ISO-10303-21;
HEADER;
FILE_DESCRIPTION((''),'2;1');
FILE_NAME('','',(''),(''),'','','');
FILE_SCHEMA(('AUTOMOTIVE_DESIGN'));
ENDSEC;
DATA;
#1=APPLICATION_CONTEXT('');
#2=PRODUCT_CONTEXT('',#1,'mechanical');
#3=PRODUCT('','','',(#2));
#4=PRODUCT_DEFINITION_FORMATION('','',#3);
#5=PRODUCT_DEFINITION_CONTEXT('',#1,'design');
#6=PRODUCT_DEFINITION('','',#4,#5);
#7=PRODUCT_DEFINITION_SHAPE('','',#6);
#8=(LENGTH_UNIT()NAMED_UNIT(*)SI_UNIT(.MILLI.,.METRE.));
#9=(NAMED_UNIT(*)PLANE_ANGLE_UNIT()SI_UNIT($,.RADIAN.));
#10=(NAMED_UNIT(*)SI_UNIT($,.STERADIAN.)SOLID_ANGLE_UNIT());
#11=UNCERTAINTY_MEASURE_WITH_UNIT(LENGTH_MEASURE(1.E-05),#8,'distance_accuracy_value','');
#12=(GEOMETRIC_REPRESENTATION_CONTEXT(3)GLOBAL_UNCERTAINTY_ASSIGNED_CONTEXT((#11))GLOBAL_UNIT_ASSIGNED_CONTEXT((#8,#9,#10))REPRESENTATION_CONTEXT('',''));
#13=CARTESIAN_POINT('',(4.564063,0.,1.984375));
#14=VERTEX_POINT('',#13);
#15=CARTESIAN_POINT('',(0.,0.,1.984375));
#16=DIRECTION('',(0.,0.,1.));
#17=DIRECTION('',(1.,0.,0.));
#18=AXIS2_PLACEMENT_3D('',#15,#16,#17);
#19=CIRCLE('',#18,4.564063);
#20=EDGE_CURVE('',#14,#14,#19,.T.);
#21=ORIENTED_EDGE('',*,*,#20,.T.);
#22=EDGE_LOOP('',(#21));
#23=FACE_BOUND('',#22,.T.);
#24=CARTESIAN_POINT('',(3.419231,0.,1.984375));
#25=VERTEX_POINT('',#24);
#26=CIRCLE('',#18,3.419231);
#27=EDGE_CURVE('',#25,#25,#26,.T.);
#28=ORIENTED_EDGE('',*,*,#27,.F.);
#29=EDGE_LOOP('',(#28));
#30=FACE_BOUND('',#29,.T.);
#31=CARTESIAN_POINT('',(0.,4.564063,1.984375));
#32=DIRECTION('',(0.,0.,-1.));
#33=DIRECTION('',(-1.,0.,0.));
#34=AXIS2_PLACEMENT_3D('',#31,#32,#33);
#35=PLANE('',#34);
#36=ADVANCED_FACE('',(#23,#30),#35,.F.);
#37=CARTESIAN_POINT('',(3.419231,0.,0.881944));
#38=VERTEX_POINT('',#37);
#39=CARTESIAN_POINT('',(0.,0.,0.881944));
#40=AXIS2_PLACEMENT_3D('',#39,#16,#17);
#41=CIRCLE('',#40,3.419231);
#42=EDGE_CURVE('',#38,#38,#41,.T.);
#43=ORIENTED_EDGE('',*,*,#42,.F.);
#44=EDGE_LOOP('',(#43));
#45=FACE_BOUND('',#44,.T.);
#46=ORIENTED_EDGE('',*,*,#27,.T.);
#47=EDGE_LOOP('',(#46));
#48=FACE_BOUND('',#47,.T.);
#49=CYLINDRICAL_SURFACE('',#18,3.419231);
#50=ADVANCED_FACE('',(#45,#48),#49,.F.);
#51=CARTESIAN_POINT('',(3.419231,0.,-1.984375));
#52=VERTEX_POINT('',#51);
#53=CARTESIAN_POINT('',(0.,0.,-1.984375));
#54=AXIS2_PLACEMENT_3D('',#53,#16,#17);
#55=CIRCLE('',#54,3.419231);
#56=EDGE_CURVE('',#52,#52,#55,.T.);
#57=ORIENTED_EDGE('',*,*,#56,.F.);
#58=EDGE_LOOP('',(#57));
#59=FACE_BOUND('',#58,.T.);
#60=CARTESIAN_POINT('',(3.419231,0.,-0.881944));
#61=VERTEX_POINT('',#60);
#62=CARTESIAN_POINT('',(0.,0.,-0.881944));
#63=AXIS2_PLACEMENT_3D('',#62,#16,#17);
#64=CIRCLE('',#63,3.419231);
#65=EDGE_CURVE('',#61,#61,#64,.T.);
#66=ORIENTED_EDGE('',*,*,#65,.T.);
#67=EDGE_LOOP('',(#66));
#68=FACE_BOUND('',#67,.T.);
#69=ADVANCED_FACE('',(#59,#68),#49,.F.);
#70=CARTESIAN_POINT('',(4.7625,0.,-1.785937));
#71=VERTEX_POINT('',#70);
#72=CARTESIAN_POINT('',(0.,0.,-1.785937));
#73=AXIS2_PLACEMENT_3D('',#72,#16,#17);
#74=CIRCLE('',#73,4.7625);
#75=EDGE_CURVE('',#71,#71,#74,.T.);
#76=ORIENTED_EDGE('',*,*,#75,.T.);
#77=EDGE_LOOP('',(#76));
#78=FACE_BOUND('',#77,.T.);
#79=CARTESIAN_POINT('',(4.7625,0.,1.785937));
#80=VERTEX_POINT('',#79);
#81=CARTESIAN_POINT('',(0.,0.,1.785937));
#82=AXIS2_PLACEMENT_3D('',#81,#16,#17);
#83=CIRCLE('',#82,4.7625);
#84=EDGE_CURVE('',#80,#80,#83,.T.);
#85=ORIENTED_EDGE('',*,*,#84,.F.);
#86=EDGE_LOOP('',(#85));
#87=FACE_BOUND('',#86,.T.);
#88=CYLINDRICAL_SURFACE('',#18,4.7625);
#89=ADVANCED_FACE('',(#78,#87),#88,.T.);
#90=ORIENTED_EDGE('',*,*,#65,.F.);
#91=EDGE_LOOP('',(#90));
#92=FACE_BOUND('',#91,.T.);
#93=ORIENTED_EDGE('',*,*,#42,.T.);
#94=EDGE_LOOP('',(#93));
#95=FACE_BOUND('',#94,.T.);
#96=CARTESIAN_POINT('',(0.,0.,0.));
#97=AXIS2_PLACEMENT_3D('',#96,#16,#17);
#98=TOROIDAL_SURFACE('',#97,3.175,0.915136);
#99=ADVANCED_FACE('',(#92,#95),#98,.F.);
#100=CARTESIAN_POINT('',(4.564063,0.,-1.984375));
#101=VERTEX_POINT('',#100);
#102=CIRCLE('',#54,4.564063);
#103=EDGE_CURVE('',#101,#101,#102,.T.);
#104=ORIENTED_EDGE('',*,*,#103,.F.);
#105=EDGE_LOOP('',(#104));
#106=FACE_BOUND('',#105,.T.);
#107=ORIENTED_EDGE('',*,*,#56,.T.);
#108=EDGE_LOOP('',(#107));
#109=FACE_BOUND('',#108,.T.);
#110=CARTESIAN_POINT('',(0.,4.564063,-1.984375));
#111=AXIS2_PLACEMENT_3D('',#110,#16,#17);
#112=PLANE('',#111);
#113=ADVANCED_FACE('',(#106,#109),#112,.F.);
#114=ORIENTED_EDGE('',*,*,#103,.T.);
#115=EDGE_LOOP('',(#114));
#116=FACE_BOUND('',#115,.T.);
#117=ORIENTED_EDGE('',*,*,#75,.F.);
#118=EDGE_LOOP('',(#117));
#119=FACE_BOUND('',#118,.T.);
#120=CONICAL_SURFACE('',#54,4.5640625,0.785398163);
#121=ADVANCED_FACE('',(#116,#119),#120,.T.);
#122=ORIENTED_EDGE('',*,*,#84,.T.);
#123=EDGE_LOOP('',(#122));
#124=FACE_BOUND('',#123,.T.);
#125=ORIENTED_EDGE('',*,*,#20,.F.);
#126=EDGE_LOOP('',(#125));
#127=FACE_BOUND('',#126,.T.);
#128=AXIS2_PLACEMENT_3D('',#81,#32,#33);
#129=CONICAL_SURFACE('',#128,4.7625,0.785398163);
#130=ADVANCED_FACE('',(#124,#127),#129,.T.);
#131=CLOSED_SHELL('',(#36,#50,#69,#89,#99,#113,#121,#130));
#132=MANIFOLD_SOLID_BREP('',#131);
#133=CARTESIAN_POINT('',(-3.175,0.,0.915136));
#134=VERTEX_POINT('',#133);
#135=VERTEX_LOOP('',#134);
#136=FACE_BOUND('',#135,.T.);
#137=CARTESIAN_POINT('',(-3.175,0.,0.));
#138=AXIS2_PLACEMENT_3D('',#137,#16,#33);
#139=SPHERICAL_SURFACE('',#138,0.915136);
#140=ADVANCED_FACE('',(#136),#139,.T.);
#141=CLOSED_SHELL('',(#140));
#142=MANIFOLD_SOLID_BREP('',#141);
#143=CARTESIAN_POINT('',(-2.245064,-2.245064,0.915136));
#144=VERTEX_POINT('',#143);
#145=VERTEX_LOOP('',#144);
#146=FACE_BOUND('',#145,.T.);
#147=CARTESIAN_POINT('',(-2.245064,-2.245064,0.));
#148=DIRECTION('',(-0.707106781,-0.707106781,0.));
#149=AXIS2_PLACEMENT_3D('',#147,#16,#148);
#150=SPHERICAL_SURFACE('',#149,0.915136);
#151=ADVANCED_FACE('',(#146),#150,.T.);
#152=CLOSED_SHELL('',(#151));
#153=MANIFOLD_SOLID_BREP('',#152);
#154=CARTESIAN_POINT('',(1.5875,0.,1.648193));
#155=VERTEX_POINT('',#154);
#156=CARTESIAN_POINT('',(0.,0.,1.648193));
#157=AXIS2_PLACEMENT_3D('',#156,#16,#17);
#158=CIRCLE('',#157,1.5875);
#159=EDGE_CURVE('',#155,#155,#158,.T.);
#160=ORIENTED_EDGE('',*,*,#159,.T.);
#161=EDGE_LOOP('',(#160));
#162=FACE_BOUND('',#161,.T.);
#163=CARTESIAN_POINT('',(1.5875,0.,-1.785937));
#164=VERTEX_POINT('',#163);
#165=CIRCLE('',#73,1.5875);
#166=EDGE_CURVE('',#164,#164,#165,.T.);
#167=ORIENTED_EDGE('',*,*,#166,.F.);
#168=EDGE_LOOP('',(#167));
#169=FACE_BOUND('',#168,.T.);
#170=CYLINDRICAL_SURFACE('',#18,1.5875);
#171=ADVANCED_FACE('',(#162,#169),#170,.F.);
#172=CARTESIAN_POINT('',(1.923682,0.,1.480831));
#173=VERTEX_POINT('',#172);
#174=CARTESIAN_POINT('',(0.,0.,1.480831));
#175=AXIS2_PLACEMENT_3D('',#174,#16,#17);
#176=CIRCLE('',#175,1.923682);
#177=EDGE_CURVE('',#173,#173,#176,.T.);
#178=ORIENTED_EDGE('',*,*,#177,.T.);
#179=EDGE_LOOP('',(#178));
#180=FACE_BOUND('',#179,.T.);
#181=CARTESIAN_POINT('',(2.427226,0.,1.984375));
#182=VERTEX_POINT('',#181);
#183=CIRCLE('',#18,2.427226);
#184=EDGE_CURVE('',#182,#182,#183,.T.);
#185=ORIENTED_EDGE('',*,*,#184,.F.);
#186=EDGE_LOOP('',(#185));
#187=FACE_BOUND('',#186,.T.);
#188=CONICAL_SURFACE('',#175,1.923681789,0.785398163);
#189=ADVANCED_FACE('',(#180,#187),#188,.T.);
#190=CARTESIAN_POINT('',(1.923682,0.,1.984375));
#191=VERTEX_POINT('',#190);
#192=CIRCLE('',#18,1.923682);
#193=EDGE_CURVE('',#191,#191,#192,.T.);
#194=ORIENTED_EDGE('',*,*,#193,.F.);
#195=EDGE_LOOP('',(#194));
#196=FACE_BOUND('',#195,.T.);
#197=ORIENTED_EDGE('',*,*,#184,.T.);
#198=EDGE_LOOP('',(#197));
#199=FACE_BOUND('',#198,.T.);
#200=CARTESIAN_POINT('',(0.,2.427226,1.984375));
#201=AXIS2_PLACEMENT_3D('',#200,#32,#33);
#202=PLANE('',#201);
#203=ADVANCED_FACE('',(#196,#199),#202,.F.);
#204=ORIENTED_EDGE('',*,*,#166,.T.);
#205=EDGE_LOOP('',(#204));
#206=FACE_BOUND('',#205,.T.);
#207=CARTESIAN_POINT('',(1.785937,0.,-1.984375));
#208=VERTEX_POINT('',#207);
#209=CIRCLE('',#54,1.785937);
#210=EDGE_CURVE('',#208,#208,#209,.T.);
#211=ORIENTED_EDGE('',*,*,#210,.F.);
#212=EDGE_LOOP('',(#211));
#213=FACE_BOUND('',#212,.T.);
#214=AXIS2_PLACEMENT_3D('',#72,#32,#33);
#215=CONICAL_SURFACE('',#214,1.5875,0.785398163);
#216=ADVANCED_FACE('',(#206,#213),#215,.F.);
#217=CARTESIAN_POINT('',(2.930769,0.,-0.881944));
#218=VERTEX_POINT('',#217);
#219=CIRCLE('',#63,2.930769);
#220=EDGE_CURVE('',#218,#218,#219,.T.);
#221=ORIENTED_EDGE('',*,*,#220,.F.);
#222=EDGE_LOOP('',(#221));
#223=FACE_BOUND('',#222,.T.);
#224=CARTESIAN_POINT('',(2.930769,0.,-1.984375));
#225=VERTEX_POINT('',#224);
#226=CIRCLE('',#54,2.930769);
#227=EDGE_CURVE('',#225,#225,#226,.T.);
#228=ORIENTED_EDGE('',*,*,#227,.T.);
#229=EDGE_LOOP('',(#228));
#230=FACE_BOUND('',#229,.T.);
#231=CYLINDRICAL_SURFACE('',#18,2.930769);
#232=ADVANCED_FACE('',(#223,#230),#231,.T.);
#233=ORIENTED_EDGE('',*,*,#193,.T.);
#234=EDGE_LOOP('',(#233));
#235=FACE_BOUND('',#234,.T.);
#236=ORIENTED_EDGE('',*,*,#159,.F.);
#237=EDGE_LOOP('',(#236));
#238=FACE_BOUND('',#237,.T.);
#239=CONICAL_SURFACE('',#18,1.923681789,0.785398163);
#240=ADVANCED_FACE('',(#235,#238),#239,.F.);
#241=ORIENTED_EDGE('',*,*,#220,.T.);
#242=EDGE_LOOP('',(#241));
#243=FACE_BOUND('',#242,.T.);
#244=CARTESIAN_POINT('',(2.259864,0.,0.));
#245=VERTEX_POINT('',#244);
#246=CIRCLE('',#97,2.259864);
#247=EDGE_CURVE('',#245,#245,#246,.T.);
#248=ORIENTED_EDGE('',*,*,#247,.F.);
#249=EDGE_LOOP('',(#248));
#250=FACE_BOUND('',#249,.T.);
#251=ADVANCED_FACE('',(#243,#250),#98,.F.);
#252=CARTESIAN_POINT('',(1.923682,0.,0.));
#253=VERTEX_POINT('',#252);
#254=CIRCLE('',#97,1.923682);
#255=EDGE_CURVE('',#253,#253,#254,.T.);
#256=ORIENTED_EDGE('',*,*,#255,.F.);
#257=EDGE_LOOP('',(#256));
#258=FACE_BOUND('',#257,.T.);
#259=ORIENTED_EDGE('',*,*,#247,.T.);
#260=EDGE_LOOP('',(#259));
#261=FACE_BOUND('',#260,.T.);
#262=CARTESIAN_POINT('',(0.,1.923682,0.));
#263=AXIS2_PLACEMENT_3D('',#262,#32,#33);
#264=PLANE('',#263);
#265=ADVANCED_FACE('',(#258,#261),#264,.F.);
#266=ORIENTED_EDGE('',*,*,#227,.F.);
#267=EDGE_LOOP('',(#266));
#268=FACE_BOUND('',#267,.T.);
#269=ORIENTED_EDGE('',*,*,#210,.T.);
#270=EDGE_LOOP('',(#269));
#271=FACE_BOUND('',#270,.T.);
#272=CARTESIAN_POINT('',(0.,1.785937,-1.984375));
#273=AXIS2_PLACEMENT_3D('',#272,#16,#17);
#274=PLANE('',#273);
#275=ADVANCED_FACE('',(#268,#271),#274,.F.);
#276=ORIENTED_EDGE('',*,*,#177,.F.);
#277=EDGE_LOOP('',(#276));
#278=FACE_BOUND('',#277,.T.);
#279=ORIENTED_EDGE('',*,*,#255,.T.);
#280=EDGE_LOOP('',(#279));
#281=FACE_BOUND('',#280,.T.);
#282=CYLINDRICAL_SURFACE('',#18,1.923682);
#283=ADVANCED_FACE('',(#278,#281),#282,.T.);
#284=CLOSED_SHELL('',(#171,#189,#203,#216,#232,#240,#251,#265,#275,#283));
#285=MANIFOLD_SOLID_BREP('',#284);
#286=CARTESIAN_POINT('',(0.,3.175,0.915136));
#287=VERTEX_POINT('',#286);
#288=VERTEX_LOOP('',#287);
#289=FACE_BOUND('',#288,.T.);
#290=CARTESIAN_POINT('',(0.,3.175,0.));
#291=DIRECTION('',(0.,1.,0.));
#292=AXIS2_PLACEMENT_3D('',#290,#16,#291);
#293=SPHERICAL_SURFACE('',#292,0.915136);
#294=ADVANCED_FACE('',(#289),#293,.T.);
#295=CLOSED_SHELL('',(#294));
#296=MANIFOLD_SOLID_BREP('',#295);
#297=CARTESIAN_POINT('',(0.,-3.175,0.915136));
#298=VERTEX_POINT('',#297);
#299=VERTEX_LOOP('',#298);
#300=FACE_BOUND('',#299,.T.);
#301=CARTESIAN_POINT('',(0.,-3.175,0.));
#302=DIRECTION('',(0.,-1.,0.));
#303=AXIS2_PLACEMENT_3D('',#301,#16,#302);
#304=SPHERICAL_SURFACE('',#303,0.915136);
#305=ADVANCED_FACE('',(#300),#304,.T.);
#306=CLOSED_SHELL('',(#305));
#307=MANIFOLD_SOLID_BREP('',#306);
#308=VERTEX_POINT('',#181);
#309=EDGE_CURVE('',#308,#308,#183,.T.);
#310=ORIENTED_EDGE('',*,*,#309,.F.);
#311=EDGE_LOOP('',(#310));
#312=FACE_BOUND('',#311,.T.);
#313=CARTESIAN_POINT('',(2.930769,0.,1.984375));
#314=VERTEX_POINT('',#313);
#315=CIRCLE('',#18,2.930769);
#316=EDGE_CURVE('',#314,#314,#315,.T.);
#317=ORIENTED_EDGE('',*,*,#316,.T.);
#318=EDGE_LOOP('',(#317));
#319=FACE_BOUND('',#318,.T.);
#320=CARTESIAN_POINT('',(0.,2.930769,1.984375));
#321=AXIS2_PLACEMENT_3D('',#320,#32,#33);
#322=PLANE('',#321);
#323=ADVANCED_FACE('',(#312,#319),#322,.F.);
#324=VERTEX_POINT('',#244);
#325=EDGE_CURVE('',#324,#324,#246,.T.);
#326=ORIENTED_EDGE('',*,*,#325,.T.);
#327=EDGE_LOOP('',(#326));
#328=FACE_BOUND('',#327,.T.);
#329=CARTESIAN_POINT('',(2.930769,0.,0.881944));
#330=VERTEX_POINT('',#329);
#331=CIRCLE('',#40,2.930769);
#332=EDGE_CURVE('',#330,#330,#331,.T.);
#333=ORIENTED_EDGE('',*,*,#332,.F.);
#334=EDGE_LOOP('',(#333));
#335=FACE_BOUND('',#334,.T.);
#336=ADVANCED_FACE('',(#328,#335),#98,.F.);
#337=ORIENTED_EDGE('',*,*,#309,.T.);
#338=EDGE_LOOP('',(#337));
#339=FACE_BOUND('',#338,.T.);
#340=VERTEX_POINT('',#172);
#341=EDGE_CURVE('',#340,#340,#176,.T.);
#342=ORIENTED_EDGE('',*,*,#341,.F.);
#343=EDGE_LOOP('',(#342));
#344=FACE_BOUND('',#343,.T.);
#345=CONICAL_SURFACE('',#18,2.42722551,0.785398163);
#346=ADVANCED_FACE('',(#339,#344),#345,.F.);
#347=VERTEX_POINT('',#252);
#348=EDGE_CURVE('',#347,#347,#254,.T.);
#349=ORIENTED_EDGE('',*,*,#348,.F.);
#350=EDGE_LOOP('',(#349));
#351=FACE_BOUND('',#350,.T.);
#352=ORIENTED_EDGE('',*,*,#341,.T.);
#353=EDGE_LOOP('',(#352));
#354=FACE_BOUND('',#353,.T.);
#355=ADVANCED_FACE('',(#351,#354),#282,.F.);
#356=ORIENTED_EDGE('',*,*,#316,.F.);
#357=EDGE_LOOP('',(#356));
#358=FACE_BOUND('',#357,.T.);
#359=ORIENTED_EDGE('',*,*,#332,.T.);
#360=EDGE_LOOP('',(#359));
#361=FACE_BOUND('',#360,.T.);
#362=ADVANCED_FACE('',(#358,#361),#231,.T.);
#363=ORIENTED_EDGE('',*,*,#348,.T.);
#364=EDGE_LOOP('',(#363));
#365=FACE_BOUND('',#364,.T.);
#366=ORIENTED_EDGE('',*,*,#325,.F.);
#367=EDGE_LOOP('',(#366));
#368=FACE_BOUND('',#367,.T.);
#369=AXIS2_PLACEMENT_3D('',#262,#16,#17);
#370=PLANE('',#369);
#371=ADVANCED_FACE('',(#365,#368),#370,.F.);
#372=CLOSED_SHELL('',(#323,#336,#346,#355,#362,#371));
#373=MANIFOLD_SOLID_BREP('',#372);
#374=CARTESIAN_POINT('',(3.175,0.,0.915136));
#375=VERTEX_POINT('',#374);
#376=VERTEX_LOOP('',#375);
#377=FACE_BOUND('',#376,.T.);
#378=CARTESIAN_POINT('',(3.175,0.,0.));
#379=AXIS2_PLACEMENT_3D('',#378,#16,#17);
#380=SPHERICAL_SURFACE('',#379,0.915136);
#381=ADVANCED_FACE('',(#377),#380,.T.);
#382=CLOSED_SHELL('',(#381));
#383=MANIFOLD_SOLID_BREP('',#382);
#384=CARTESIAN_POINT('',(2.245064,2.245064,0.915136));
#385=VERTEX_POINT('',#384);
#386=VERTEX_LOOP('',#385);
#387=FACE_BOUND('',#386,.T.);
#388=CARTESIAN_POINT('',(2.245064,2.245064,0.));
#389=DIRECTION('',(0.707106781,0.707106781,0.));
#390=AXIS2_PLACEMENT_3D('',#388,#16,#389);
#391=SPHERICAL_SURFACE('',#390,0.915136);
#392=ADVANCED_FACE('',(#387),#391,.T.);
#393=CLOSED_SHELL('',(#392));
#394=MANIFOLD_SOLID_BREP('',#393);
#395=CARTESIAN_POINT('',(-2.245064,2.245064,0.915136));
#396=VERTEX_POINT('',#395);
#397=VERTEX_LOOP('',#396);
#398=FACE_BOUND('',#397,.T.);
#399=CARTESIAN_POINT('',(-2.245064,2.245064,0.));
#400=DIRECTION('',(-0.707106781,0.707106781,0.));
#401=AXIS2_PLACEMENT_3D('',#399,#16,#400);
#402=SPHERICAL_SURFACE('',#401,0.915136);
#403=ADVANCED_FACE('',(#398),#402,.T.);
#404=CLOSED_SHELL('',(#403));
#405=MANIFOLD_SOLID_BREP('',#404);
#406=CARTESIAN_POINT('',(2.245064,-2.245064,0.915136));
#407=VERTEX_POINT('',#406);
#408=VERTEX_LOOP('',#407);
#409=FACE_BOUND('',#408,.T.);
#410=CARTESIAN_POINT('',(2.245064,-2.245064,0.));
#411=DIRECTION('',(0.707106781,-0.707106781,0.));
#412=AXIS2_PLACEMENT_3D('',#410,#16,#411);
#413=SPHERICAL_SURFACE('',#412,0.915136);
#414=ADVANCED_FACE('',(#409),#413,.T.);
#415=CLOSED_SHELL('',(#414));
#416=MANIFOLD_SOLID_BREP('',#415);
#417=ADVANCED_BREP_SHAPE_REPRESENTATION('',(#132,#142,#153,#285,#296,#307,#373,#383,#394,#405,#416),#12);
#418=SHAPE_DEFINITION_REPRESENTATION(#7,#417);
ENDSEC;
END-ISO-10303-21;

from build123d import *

# Parameters (mm, degrees)
CIRPATTERN1_COUNT = 8


with BuildPart() as part:
    # Sketch1 → Revolve1 (revolve)
    with BuildSketch(Plane(origin=(0, 0, 0), x_dir=(0, 0, -1), z_dir=(1, 0, 0))):
        with BuildLine():
            Line((1.7859375, 4.7625), (-1.7859375, 4.7625))
            Line((-1.7859375, 4.7625), (-1.984375, 4.5640625))
            Line((-1.984375, 4.5640625), (-1.984375, 3.419230769))
            Line((-1.984375, 3.419230769), (-0.881944444, 3.419230769))
            ThreePointArc((-0.881944444, 3.419230769), (0, 4.090136422), (0.881944444, 3.419230769))
            Line((0.881944444, 3.419230769), (1.984375, 3.419230769))
            Line((1.984375, 3.419230769), (1.984375, 4.5640625))
            Line((1.984375, 4.5640625), (1.7859375, 4.7625))
        make_face()
    revolve(axis=Axis((0, 0, 1.984375), (0, 0, -1)))


with BuildPart() as body_2:
    # Sketch2 → Revolve2 (revolve)
    with BuildSketch(Plane(origin=(0, 0, 0), x_dir=(0, 0, -1), z_dir=(1, 0, 0))):
        with BuildLine():
            Line((-1.984375, 2.930769231), (-0.881944444, 2.930769231))
            ThreePointArc((-0.881944444, 2.930769231), (-0.554062361, 2.446652849), (0, 2.259863578))
            Line((0, 2.259863578), (0, 1.923681789))
            Line((0, 1.923681789), (-1.480831279, 1.923681789))
            Line((-1.480831279, 1.923681789), (-1.984375, 2.42722551))
            Line((-1.984375, 2.42722551), (-1.984375, 2.930769231))
        make_face()
    revolve(axis=Axis((0, 0, 1.984375), (0, 0, -1)))


with BuildPart() as body_3:
    # Sketch3 → Revolve3 (revolve)
    with BuildSketch(Plane(origin=(0, 0, 0), x_dir=(0, 0, -1), z_dir=(1, 0, 0))):
        with BuildLine():
            Line((-1.984375, 2.42722551), (-1.480831279, 1.923681789))
            Line((-1.480831279, 1.923681789), (0, 1.923681789))
            Line((0, 1.923681789), (0, 2.259863578))
            ThreePointArc((0, 2.259863578), (0.554062361, 2.446652849), (0.881944444, 2.930769231))
            Line((0.881944444, 2.930769231), (1.984375, 2.930769231))
            Line((1.984375, 2.930769231), (1.984375, 1.7859375))
            Line((1.984375, 1.7859375), (1.7859375, 1.5875))
            Line((1.7859375, 1.5875), (-1.648193211, 1.5875))
            Line((-1.648193211, 1.5875), (-1.984375, 1.923681789))
            Line((-1.984375, 1.923681789), (-1.984375, 2.42722551))
        make_face()
    revolve(axis=Axis((0, 0, 1.984375), (0, 0, -1)))


with BuildPart() as body_4:
    # Sketch4 → Revolve4 (revolve)
    with BuildSketch(Plane(origin=(0, 0, 0), x_dir=(0, 0, -1), z_dir=(1, 0, 0))):
        with BuildLine():
            Line((-0.915136422, 3.175), (0.915136422, 3.175))
            ThreePointArc((0.915136422, 3.175), (0, 4.090136422), (-0.915136422, 3.175))
        make_face()
    revolve(axis=Axis((0, 3.175, 0.915136422), (0, 0, -1)))


with BuildPart() as cirpattern1_1:
    # CirPattern1: pattern copy
    add(body_4.part.rotate(Axis((0, 0, -1.984375), (0, 0, 1)), 1 * 360 / CIRPATTERN1_COUNT))


with BuildPart() as cirpattern1_2:
    # CirPattern1: pattern copy
    add(body_4.part.rotate(Axis((0, 0, -1.984375), (0, 0, 1)), 2 * 360 / CIRPATTERN1_COUNT))


with BuildPart() as cirpattern1_3:
    # CirPattern1: pattern copy
    add(body_4.part.rotate(Axis((0, 0, -1.984375), (0, 0, 1)), 3 * 360 / CIRPATTERN1_COUNT))


with BuildPart() as cirpattern1_4:
    # CirPattern1: pattern copy
    add(body_4.part.rotate(Axis((0, 0, -1.984375), (0, 0, 1)), 4 * 360 / CIRPATTERN1_COUNT))


with BuildPart() as cirpattern1_5:
    # CirPattern1: pattern copy
    add(body_4.part.rotate(Axis((0, 0, -1.984375), (0, 0, 1)), 5 * 360 / CIRPATTERN1_COUNT))


with BuildPart() as cirpattern1_6:
    # CirPattern1: pattern copy
    add(body_4.part.rotate(Axis((0, 0, -1.984375), (0, 0, 1)), 6 * 360 / CIRPATTERN1_COUNT))


with BuildPart() as cirpattern1_7:
    # CirPattern1: pattern copy
    add(body_4.part.rotate(Axis((0, 0, -1.984375), (0, 0, 1)), 7 * 360 / CIRPATTERN1_COUNT))


solid = Compound([part.part, body_2.part, body_3.part, body_4.part, cirpattern1_1.part, cirpattern1_2.part, cirpattern1_3.part, cirpattern1_4.part, cirpattern1_5.part, cirpattern1_6.part, cirpattern1_7.part])
